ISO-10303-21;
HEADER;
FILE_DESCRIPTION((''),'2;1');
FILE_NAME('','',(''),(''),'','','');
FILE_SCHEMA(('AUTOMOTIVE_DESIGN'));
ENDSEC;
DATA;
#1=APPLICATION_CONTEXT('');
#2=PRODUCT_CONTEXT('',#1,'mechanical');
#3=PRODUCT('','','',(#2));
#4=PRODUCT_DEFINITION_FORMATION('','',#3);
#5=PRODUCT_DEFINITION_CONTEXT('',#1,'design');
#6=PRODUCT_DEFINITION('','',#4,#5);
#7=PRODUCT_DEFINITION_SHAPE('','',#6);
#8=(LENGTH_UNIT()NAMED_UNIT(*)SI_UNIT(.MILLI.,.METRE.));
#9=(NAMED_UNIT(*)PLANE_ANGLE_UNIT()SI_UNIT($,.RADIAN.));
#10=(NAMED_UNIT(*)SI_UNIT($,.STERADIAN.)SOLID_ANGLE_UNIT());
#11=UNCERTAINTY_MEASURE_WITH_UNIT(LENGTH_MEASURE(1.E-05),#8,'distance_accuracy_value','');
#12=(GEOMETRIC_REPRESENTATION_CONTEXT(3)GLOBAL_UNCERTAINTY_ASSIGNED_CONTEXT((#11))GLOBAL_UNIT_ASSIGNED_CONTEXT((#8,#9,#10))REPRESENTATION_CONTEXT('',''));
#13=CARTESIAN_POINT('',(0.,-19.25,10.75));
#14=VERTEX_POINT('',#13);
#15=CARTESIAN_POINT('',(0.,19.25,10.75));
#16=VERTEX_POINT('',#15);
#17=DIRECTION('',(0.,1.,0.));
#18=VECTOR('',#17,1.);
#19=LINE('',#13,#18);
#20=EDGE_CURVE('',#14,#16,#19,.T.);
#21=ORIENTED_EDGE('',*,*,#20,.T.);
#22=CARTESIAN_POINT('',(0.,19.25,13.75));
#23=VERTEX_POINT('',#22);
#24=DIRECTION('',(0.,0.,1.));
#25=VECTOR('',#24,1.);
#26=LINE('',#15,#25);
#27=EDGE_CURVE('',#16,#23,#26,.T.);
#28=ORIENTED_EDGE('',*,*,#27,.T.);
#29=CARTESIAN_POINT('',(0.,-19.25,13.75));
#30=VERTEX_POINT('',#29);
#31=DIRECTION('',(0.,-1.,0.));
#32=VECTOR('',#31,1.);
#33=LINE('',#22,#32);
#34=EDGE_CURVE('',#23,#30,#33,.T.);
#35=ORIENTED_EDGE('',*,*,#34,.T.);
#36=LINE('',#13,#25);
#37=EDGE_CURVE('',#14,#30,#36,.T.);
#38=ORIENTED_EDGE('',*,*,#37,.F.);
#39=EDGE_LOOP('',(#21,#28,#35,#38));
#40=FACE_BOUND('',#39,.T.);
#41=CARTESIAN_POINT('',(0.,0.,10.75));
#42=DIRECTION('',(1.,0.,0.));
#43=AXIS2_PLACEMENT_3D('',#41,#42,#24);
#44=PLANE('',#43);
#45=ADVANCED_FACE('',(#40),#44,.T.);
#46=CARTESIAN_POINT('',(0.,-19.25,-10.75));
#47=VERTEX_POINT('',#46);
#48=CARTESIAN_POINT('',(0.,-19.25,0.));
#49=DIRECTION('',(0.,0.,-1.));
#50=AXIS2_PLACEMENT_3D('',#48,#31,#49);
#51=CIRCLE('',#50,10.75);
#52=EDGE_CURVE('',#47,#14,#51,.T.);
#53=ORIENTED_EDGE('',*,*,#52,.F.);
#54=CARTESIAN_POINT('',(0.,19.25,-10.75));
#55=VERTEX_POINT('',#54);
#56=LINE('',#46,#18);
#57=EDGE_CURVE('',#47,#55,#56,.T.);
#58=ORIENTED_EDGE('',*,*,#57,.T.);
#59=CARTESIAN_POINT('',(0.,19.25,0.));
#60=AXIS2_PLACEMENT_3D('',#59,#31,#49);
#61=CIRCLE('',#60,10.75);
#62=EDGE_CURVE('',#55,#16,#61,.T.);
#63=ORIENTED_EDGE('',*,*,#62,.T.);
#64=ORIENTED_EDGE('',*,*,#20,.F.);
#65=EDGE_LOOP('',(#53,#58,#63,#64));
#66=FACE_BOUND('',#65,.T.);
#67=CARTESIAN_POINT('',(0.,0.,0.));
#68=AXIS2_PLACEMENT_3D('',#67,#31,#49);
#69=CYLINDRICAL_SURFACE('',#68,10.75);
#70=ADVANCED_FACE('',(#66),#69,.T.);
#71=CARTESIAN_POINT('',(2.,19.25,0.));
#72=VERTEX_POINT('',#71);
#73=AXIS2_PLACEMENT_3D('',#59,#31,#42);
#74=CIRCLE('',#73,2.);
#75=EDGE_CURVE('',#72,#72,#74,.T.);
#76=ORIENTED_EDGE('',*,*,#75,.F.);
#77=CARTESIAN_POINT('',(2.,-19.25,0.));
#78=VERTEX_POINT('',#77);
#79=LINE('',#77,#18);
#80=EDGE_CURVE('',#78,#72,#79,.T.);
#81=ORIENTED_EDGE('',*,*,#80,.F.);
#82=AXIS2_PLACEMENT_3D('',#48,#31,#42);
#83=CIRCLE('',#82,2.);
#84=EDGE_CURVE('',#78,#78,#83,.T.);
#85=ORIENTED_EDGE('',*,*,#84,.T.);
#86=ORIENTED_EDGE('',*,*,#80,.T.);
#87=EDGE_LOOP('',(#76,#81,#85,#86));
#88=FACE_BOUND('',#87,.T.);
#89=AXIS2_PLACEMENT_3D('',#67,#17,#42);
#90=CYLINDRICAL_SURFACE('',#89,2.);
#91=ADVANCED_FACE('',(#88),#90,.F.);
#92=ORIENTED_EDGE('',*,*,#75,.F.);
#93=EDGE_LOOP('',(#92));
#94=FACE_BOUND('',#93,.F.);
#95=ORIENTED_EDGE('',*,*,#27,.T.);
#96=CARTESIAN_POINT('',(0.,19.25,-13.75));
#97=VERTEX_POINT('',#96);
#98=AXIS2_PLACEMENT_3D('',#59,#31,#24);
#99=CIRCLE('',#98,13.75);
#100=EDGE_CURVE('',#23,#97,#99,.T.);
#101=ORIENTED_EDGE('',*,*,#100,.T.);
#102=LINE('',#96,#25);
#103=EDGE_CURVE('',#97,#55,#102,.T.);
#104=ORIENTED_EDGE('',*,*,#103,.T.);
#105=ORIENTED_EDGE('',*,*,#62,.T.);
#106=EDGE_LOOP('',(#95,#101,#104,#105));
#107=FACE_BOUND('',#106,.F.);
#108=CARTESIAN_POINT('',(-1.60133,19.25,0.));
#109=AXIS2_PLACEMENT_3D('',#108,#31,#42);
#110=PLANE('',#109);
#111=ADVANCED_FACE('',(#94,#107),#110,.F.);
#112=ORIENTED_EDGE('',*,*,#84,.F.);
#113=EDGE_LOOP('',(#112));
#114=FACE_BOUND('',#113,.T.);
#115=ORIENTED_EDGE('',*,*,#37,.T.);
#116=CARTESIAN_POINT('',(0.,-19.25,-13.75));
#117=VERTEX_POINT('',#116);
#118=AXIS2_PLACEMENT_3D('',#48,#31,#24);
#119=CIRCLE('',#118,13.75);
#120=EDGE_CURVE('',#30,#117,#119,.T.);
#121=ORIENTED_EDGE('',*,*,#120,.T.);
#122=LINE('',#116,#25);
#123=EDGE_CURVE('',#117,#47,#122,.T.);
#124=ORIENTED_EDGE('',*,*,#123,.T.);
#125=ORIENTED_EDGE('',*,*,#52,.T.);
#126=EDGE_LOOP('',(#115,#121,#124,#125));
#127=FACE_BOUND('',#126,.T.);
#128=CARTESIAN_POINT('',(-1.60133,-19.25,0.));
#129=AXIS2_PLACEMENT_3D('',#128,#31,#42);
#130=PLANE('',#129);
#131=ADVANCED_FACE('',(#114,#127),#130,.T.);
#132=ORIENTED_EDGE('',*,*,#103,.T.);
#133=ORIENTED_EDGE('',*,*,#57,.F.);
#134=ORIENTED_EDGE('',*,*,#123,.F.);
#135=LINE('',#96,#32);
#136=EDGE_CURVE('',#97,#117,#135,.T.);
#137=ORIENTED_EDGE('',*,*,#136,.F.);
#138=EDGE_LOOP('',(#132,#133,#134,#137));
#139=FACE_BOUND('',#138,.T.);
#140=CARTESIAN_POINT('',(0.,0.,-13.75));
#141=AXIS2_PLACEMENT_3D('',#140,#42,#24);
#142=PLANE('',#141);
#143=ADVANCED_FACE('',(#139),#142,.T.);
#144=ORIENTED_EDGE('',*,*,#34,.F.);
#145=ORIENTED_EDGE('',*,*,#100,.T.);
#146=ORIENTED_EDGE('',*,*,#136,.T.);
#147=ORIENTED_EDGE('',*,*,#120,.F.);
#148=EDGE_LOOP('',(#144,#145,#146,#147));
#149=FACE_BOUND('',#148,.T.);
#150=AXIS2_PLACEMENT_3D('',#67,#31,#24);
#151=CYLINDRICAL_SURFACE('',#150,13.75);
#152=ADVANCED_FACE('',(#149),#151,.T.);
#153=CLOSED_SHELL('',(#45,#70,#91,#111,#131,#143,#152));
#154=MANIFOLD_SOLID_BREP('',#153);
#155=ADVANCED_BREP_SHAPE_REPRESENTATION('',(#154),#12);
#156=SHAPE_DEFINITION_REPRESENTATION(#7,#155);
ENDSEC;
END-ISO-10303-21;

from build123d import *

# Parameters (mm, degrees)
F0_R     = 2
F1_DEPTH = 19.25


with BuildPart() as f1:
    # F0 (on Front) → F1 (new body, symmetric)
    with BuildSketch(Plane.XZ):
        with BuildLine():
            Line((0, 10.75), (0, 13.75))
            ThreePointArc((0, 13.75), (-13.75, 0), (0, -13.75))
            Line((0, -13.75), (0, -10.75))
            ThreePointArc((0, -10.75), (10.75, 0), (0, 10.75))
        make_face()
        Circle(F0_R, mode=Mode.SUBTRACT)
    extrude(amount=F1_DEPTH, both=True)


solid = f1.part
